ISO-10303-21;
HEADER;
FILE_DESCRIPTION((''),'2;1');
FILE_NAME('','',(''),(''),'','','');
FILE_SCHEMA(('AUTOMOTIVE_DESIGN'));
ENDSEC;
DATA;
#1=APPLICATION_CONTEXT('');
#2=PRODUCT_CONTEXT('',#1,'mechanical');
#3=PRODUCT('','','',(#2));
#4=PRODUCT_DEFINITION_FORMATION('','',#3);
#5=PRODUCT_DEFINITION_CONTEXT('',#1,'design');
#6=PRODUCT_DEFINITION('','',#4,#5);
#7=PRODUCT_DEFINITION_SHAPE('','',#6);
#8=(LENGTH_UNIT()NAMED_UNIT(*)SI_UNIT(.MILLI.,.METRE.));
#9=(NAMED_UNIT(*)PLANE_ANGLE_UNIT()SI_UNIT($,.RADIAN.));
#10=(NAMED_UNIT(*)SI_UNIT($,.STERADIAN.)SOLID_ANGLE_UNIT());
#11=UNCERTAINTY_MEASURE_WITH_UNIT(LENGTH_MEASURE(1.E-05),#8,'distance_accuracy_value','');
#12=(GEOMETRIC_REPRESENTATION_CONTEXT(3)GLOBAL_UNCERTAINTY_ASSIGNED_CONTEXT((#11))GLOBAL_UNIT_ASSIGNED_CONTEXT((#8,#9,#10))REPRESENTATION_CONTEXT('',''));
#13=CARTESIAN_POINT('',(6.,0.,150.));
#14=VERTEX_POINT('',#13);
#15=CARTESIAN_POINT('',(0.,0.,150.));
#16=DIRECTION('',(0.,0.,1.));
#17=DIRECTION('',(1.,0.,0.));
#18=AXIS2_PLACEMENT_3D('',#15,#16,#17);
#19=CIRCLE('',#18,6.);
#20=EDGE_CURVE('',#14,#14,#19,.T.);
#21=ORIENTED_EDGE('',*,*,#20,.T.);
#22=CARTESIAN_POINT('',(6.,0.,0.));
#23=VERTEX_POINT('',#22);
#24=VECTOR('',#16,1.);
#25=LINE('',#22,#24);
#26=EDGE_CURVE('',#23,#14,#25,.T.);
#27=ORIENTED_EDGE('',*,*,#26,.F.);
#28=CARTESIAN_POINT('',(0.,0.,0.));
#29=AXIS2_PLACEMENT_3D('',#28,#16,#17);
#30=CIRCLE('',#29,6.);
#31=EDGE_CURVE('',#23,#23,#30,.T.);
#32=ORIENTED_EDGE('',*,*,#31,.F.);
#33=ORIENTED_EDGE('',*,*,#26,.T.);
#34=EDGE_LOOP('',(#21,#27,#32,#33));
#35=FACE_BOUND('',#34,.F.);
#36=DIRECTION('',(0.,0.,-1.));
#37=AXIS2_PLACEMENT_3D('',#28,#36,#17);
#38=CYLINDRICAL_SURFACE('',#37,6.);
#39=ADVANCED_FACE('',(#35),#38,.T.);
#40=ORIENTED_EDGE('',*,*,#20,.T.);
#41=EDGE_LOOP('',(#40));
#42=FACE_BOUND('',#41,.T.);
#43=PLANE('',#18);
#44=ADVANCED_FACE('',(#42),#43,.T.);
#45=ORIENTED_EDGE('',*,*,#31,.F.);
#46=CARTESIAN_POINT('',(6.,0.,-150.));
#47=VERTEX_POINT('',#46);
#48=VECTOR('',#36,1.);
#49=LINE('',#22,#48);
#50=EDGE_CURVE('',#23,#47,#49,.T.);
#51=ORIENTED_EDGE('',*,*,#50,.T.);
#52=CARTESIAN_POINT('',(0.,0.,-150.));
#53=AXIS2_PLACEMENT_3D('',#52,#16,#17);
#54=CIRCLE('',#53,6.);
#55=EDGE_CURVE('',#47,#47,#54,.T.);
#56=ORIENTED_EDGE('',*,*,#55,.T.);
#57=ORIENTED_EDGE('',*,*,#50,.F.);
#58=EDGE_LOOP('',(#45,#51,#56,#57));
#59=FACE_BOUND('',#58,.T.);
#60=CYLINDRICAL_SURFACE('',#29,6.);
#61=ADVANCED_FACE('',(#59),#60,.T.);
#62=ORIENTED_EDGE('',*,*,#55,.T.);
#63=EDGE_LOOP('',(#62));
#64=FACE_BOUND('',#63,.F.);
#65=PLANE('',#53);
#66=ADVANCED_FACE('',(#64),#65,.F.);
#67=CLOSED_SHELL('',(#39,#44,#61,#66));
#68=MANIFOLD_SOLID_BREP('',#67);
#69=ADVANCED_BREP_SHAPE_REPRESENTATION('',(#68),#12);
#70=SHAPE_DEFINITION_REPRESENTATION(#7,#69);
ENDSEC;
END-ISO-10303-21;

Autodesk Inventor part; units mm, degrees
ref_plane "YZ Plane" through (0, 0, 0) normal (1, 0, 0) x (0, 1, 0)
ref_plane "XZ Plane" through (0, 0, 0) normal (0, 1, 0) x (-1, 0, 0)
ref_plane "XY Plane" through (0, 0, 0) normal (0, 0, 1) x (1, 0, 0)
sketch "スケッチ1" plane through (0, 0, 0) normal (0, 0, 1) x (1, 0, 0)
  circle A0 centre (0, 0) radius 6
  dimension "d0" = 12
extrude "押し出し1" add sketch "スケッチ1" along normal mid plane 300
properties part number "軸"
